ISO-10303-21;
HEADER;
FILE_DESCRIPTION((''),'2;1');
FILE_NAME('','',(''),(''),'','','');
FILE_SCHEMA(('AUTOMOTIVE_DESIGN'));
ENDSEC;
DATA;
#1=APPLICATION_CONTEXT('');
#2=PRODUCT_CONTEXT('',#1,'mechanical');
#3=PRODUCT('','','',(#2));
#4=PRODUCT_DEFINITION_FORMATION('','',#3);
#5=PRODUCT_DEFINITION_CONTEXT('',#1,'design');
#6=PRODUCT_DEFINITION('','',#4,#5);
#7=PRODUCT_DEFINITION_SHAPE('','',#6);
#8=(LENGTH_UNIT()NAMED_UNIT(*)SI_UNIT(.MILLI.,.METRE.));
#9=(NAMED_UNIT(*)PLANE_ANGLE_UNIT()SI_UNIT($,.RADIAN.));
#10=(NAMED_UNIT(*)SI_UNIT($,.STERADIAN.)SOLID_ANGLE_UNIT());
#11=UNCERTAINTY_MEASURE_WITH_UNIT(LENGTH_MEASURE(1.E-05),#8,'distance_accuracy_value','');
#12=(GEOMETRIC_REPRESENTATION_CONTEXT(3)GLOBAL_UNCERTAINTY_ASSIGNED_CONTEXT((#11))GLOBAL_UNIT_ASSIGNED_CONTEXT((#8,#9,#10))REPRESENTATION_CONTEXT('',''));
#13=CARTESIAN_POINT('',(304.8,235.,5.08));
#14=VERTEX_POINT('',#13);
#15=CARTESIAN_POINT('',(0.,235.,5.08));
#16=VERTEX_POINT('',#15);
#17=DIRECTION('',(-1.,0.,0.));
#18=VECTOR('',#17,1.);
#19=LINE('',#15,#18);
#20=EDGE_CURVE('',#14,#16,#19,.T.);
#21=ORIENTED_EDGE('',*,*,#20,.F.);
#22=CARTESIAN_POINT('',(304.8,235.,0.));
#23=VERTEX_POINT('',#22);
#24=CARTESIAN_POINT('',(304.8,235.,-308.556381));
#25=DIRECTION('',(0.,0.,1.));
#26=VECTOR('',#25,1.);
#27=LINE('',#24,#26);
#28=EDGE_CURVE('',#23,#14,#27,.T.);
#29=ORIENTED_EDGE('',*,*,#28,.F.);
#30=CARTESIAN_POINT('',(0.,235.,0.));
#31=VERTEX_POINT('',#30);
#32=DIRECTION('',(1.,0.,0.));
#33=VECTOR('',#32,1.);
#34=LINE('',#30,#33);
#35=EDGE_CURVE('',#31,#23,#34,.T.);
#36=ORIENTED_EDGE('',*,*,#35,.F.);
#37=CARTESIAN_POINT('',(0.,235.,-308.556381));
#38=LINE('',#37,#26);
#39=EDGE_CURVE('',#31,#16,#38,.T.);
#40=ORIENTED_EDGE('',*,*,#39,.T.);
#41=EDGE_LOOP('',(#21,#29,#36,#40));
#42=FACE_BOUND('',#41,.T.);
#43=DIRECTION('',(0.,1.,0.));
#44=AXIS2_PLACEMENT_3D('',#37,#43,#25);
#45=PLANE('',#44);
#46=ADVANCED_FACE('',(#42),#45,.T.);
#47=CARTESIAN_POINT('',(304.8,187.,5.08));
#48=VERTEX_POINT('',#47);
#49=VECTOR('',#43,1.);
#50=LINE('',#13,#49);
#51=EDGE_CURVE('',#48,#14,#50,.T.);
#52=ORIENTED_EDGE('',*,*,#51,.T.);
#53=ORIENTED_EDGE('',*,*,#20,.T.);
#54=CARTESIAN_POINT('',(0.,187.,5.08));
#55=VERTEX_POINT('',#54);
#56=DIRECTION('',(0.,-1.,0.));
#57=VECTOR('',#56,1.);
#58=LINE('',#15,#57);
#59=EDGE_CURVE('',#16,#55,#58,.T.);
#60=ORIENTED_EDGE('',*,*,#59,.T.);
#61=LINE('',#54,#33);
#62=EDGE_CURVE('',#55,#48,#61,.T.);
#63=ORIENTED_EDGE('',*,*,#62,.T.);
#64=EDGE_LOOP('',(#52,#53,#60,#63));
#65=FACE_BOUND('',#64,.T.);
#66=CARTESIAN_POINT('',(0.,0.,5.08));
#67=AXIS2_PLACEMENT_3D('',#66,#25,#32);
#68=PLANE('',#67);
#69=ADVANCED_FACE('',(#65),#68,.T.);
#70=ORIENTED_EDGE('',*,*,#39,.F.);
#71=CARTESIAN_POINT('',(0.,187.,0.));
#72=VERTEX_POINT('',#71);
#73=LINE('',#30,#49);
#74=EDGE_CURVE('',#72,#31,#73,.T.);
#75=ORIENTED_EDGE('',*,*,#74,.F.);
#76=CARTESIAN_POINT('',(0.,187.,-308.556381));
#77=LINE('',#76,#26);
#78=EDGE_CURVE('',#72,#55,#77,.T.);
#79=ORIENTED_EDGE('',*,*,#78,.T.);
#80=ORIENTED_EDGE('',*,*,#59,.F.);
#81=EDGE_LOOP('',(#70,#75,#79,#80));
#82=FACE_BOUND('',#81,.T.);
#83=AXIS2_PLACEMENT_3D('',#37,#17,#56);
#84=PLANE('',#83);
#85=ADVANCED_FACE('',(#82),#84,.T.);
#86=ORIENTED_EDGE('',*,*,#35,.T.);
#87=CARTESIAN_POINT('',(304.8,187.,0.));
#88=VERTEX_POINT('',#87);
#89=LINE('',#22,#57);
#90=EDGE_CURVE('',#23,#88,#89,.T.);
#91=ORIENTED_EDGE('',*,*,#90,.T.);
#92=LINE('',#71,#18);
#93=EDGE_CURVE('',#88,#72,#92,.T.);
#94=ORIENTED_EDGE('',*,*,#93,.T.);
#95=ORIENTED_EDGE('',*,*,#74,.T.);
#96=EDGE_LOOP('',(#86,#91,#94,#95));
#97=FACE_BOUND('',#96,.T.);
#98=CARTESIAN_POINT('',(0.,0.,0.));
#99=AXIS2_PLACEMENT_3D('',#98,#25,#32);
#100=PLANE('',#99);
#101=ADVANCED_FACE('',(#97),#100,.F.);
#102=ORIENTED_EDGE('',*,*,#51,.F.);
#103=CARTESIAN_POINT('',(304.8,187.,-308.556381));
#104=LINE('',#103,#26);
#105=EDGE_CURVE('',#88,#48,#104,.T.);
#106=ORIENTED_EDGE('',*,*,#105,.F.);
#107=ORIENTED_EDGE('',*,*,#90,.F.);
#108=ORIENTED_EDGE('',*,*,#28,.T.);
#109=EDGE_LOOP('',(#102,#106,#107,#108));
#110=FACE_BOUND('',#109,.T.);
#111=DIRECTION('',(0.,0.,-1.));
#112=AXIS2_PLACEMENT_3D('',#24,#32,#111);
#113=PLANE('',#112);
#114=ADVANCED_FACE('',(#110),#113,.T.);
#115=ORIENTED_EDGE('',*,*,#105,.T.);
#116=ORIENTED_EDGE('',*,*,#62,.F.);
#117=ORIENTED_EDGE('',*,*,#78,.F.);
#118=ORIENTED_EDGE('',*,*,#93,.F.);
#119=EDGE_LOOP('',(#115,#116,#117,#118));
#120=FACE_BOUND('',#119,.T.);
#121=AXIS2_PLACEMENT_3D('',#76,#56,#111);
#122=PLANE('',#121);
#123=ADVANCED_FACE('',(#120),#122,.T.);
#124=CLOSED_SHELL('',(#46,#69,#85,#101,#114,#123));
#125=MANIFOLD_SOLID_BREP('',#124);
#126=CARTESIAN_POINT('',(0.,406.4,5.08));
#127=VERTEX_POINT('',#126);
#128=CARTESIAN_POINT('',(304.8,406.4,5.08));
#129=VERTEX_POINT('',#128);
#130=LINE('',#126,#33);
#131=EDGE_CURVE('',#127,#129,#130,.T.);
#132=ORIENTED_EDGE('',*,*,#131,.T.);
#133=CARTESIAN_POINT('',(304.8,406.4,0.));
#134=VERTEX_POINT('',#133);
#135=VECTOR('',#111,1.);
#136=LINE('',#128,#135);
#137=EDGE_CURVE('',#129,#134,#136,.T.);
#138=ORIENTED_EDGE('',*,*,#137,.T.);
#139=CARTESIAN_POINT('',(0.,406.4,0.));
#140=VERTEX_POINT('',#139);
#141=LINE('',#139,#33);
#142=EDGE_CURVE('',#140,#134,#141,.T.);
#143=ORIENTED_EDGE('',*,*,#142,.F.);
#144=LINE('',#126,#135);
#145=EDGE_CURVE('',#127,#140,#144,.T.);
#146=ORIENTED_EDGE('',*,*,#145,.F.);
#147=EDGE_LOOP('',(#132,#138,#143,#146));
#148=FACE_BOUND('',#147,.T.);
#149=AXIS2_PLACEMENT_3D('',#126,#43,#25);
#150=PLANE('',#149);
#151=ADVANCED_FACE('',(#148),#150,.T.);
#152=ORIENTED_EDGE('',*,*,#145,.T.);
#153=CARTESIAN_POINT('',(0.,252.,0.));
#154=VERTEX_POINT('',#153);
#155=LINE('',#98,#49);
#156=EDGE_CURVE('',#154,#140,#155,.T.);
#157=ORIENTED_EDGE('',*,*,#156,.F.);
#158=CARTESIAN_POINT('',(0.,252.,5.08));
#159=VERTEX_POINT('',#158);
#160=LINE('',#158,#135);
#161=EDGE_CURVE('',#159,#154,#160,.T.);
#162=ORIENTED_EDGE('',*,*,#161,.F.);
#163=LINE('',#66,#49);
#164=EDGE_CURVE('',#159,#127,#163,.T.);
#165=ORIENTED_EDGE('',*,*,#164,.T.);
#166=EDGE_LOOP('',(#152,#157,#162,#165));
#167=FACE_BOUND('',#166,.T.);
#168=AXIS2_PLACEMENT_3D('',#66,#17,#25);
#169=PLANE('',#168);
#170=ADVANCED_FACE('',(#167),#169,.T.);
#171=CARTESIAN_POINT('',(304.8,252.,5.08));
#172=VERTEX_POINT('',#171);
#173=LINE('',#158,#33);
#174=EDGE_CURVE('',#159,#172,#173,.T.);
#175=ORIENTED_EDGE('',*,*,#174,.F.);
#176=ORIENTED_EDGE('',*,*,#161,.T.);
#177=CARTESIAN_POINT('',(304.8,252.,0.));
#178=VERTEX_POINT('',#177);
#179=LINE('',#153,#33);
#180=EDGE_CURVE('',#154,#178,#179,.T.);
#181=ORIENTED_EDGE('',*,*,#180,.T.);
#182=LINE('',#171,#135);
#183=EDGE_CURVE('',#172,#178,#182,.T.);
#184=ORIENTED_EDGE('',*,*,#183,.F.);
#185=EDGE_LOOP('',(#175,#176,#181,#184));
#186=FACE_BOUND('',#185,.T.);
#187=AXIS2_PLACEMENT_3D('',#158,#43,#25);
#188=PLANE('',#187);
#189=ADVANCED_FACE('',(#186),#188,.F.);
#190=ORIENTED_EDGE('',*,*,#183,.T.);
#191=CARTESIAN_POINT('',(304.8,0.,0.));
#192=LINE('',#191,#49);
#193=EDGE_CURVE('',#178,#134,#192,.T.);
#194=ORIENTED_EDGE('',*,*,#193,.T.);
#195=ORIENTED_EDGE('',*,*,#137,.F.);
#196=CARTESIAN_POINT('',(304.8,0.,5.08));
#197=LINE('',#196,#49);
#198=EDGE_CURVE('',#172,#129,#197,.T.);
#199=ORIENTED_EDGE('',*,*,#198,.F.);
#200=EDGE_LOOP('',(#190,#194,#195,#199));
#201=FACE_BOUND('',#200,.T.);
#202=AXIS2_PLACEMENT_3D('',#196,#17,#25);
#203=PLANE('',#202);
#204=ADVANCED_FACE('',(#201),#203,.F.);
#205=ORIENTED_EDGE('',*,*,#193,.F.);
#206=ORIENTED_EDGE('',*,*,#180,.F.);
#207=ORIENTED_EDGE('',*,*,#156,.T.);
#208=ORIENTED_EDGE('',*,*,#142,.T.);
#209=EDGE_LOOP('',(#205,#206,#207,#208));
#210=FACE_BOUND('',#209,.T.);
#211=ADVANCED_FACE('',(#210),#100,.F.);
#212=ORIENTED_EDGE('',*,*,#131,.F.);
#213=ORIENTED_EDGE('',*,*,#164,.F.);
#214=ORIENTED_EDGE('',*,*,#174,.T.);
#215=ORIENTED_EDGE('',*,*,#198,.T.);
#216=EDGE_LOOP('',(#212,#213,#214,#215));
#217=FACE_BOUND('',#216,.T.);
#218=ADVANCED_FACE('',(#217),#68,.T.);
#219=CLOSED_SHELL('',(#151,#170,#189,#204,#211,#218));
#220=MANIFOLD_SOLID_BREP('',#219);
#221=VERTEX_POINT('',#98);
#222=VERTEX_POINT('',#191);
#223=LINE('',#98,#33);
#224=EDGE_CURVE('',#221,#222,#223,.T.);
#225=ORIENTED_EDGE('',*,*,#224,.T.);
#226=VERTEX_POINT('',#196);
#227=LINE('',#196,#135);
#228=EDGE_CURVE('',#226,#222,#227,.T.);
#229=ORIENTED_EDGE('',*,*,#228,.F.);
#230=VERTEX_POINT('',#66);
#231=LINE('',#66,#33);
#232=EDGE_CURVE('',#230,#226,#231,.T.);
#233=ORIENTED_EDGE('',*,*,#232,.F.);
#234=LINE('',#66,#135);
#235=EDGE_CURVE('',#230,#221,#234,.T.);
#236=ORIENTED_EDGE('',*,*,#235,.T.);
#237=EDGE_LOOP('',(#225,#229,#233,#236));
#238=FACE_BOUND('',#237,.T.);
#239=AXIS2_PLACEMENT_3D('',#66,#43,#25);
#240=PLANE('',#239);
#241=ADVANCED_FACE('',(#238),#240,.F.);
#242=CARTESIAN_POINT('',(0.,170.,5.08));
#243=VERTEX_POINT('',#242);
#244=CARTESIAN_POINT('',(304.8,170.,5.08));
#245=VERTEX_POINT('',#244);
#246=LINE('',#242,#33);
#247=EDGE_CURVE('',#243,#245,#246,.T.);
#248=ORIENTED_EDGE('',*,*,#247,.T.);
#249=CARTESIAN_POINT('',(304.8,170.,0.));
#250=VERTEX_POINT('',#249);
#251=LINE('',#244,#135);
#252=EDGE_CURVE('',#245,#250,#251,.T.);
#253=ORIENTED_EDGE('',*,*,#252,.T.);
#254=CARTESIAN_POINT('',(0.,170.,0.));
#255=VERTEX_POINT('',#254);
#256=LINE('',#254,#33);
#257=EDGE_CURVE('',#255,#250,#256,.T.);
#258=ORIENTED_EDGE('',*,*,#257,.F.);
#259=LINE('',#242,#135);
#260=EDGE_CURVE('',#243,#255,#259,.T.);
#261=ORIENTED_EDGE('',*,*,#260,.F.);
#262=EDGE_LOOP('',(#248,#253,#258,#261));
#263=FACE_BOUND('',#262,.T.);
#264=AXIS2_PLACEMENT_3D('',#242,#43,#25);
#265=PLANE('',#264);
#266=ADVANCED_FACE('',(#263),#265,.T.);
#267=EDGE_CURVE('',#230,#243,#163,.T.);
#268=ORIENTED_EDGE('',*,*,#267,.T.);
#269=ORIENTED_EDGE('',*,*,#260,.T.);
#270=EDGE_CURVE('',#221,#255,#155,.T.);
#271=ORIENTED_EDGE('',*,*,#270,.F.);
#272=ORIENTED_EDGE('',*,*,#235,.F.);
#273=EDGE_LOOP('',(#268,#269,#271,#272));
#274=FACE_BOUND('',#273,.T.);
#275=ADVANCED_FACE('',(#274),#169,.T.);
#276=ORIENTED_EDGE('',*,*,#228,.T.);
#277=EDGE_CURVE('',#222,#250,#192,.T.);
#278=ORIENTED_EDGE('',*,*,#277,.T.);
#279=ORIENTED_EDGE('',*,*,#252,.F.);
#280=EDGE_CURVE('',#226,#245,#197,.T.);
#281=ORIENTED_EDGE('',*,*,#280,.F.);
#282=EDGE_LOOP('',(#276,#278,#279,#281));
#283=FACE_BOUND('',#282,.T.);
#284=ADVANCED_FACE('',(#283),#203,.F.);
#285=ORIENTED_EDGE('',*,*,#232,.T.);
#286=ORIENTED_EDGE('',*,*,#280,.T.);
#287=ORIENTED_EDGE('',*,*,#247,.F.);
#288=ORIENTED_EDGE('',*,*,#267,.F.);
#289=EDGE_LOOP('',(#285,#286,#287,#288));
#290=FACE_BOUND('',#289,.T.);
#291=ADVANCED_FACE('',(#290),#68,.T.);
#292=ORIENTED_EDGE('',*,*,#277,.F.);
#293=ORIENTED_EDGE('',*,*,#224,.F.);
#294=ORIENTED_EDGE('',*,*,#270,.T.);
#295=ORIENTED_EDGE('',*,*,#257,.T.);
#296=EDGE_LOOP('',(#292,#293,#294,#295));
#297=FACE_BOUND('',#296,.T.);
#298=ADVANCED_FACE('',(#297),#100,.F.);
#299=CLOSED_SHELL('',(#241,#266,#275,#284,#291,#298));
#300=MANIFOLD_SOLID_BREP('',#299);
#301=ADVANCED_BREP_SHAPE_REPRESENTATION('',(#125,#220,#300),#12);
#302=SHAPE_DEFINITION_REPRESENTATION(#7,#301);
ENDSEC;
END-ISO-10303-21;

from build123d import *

# Parameters (mm, degrees)
SKETCH1_W             = 304.8
SKETCH1_H             = 154.4
BOSS_EXTRUDE1_DEPTH   = 5.08
SKETCH1_H_2           = 170
BOSS_EXTRUDE1_2_DEPTH = 5.08
SKETCH2_W             = 304.8
SKETCH2_H             = 48
BOSS_EXTRUDE2_DEPTH   = 5.08


with BuildPart() as part:
    # Sketch1 → Boss-Extrude1 (new body)
    with BuildSketch(Plane.XY):
        with Locations((152.4, 329.2)):
            Rectangle(SKETCH1_W, SKETCH1_H)
    extrude(amount=BOSS_EXTRUDE1_DEPTH)


with BuildPart() as body_2:
    # Sketch1 → Boss-Extrude1 2 (new body)
    with BuildSketch(Plane.XY):
        with Locations((152.4, 85)):
            Rectangle(SKETCH1_W, SKETCH1_H_2)
    extrude(amount=BOSS_EXTRUDE1_2_DEPTH)


with BuildPart() as body_3:
    # Sketch2 → Boss-Extrude2 (new body)
    with BuildSketch(Plane.XY.offset(5.08)):
        with Locations((152.4, 211)):
            Rectangle(SKETCH2_W, SKETCH2_H)
    extrude(amount=-BOSS_EXTRUDE2_DEPTH)


solid = Compound([part.part, body_2.part, body_3.part])
